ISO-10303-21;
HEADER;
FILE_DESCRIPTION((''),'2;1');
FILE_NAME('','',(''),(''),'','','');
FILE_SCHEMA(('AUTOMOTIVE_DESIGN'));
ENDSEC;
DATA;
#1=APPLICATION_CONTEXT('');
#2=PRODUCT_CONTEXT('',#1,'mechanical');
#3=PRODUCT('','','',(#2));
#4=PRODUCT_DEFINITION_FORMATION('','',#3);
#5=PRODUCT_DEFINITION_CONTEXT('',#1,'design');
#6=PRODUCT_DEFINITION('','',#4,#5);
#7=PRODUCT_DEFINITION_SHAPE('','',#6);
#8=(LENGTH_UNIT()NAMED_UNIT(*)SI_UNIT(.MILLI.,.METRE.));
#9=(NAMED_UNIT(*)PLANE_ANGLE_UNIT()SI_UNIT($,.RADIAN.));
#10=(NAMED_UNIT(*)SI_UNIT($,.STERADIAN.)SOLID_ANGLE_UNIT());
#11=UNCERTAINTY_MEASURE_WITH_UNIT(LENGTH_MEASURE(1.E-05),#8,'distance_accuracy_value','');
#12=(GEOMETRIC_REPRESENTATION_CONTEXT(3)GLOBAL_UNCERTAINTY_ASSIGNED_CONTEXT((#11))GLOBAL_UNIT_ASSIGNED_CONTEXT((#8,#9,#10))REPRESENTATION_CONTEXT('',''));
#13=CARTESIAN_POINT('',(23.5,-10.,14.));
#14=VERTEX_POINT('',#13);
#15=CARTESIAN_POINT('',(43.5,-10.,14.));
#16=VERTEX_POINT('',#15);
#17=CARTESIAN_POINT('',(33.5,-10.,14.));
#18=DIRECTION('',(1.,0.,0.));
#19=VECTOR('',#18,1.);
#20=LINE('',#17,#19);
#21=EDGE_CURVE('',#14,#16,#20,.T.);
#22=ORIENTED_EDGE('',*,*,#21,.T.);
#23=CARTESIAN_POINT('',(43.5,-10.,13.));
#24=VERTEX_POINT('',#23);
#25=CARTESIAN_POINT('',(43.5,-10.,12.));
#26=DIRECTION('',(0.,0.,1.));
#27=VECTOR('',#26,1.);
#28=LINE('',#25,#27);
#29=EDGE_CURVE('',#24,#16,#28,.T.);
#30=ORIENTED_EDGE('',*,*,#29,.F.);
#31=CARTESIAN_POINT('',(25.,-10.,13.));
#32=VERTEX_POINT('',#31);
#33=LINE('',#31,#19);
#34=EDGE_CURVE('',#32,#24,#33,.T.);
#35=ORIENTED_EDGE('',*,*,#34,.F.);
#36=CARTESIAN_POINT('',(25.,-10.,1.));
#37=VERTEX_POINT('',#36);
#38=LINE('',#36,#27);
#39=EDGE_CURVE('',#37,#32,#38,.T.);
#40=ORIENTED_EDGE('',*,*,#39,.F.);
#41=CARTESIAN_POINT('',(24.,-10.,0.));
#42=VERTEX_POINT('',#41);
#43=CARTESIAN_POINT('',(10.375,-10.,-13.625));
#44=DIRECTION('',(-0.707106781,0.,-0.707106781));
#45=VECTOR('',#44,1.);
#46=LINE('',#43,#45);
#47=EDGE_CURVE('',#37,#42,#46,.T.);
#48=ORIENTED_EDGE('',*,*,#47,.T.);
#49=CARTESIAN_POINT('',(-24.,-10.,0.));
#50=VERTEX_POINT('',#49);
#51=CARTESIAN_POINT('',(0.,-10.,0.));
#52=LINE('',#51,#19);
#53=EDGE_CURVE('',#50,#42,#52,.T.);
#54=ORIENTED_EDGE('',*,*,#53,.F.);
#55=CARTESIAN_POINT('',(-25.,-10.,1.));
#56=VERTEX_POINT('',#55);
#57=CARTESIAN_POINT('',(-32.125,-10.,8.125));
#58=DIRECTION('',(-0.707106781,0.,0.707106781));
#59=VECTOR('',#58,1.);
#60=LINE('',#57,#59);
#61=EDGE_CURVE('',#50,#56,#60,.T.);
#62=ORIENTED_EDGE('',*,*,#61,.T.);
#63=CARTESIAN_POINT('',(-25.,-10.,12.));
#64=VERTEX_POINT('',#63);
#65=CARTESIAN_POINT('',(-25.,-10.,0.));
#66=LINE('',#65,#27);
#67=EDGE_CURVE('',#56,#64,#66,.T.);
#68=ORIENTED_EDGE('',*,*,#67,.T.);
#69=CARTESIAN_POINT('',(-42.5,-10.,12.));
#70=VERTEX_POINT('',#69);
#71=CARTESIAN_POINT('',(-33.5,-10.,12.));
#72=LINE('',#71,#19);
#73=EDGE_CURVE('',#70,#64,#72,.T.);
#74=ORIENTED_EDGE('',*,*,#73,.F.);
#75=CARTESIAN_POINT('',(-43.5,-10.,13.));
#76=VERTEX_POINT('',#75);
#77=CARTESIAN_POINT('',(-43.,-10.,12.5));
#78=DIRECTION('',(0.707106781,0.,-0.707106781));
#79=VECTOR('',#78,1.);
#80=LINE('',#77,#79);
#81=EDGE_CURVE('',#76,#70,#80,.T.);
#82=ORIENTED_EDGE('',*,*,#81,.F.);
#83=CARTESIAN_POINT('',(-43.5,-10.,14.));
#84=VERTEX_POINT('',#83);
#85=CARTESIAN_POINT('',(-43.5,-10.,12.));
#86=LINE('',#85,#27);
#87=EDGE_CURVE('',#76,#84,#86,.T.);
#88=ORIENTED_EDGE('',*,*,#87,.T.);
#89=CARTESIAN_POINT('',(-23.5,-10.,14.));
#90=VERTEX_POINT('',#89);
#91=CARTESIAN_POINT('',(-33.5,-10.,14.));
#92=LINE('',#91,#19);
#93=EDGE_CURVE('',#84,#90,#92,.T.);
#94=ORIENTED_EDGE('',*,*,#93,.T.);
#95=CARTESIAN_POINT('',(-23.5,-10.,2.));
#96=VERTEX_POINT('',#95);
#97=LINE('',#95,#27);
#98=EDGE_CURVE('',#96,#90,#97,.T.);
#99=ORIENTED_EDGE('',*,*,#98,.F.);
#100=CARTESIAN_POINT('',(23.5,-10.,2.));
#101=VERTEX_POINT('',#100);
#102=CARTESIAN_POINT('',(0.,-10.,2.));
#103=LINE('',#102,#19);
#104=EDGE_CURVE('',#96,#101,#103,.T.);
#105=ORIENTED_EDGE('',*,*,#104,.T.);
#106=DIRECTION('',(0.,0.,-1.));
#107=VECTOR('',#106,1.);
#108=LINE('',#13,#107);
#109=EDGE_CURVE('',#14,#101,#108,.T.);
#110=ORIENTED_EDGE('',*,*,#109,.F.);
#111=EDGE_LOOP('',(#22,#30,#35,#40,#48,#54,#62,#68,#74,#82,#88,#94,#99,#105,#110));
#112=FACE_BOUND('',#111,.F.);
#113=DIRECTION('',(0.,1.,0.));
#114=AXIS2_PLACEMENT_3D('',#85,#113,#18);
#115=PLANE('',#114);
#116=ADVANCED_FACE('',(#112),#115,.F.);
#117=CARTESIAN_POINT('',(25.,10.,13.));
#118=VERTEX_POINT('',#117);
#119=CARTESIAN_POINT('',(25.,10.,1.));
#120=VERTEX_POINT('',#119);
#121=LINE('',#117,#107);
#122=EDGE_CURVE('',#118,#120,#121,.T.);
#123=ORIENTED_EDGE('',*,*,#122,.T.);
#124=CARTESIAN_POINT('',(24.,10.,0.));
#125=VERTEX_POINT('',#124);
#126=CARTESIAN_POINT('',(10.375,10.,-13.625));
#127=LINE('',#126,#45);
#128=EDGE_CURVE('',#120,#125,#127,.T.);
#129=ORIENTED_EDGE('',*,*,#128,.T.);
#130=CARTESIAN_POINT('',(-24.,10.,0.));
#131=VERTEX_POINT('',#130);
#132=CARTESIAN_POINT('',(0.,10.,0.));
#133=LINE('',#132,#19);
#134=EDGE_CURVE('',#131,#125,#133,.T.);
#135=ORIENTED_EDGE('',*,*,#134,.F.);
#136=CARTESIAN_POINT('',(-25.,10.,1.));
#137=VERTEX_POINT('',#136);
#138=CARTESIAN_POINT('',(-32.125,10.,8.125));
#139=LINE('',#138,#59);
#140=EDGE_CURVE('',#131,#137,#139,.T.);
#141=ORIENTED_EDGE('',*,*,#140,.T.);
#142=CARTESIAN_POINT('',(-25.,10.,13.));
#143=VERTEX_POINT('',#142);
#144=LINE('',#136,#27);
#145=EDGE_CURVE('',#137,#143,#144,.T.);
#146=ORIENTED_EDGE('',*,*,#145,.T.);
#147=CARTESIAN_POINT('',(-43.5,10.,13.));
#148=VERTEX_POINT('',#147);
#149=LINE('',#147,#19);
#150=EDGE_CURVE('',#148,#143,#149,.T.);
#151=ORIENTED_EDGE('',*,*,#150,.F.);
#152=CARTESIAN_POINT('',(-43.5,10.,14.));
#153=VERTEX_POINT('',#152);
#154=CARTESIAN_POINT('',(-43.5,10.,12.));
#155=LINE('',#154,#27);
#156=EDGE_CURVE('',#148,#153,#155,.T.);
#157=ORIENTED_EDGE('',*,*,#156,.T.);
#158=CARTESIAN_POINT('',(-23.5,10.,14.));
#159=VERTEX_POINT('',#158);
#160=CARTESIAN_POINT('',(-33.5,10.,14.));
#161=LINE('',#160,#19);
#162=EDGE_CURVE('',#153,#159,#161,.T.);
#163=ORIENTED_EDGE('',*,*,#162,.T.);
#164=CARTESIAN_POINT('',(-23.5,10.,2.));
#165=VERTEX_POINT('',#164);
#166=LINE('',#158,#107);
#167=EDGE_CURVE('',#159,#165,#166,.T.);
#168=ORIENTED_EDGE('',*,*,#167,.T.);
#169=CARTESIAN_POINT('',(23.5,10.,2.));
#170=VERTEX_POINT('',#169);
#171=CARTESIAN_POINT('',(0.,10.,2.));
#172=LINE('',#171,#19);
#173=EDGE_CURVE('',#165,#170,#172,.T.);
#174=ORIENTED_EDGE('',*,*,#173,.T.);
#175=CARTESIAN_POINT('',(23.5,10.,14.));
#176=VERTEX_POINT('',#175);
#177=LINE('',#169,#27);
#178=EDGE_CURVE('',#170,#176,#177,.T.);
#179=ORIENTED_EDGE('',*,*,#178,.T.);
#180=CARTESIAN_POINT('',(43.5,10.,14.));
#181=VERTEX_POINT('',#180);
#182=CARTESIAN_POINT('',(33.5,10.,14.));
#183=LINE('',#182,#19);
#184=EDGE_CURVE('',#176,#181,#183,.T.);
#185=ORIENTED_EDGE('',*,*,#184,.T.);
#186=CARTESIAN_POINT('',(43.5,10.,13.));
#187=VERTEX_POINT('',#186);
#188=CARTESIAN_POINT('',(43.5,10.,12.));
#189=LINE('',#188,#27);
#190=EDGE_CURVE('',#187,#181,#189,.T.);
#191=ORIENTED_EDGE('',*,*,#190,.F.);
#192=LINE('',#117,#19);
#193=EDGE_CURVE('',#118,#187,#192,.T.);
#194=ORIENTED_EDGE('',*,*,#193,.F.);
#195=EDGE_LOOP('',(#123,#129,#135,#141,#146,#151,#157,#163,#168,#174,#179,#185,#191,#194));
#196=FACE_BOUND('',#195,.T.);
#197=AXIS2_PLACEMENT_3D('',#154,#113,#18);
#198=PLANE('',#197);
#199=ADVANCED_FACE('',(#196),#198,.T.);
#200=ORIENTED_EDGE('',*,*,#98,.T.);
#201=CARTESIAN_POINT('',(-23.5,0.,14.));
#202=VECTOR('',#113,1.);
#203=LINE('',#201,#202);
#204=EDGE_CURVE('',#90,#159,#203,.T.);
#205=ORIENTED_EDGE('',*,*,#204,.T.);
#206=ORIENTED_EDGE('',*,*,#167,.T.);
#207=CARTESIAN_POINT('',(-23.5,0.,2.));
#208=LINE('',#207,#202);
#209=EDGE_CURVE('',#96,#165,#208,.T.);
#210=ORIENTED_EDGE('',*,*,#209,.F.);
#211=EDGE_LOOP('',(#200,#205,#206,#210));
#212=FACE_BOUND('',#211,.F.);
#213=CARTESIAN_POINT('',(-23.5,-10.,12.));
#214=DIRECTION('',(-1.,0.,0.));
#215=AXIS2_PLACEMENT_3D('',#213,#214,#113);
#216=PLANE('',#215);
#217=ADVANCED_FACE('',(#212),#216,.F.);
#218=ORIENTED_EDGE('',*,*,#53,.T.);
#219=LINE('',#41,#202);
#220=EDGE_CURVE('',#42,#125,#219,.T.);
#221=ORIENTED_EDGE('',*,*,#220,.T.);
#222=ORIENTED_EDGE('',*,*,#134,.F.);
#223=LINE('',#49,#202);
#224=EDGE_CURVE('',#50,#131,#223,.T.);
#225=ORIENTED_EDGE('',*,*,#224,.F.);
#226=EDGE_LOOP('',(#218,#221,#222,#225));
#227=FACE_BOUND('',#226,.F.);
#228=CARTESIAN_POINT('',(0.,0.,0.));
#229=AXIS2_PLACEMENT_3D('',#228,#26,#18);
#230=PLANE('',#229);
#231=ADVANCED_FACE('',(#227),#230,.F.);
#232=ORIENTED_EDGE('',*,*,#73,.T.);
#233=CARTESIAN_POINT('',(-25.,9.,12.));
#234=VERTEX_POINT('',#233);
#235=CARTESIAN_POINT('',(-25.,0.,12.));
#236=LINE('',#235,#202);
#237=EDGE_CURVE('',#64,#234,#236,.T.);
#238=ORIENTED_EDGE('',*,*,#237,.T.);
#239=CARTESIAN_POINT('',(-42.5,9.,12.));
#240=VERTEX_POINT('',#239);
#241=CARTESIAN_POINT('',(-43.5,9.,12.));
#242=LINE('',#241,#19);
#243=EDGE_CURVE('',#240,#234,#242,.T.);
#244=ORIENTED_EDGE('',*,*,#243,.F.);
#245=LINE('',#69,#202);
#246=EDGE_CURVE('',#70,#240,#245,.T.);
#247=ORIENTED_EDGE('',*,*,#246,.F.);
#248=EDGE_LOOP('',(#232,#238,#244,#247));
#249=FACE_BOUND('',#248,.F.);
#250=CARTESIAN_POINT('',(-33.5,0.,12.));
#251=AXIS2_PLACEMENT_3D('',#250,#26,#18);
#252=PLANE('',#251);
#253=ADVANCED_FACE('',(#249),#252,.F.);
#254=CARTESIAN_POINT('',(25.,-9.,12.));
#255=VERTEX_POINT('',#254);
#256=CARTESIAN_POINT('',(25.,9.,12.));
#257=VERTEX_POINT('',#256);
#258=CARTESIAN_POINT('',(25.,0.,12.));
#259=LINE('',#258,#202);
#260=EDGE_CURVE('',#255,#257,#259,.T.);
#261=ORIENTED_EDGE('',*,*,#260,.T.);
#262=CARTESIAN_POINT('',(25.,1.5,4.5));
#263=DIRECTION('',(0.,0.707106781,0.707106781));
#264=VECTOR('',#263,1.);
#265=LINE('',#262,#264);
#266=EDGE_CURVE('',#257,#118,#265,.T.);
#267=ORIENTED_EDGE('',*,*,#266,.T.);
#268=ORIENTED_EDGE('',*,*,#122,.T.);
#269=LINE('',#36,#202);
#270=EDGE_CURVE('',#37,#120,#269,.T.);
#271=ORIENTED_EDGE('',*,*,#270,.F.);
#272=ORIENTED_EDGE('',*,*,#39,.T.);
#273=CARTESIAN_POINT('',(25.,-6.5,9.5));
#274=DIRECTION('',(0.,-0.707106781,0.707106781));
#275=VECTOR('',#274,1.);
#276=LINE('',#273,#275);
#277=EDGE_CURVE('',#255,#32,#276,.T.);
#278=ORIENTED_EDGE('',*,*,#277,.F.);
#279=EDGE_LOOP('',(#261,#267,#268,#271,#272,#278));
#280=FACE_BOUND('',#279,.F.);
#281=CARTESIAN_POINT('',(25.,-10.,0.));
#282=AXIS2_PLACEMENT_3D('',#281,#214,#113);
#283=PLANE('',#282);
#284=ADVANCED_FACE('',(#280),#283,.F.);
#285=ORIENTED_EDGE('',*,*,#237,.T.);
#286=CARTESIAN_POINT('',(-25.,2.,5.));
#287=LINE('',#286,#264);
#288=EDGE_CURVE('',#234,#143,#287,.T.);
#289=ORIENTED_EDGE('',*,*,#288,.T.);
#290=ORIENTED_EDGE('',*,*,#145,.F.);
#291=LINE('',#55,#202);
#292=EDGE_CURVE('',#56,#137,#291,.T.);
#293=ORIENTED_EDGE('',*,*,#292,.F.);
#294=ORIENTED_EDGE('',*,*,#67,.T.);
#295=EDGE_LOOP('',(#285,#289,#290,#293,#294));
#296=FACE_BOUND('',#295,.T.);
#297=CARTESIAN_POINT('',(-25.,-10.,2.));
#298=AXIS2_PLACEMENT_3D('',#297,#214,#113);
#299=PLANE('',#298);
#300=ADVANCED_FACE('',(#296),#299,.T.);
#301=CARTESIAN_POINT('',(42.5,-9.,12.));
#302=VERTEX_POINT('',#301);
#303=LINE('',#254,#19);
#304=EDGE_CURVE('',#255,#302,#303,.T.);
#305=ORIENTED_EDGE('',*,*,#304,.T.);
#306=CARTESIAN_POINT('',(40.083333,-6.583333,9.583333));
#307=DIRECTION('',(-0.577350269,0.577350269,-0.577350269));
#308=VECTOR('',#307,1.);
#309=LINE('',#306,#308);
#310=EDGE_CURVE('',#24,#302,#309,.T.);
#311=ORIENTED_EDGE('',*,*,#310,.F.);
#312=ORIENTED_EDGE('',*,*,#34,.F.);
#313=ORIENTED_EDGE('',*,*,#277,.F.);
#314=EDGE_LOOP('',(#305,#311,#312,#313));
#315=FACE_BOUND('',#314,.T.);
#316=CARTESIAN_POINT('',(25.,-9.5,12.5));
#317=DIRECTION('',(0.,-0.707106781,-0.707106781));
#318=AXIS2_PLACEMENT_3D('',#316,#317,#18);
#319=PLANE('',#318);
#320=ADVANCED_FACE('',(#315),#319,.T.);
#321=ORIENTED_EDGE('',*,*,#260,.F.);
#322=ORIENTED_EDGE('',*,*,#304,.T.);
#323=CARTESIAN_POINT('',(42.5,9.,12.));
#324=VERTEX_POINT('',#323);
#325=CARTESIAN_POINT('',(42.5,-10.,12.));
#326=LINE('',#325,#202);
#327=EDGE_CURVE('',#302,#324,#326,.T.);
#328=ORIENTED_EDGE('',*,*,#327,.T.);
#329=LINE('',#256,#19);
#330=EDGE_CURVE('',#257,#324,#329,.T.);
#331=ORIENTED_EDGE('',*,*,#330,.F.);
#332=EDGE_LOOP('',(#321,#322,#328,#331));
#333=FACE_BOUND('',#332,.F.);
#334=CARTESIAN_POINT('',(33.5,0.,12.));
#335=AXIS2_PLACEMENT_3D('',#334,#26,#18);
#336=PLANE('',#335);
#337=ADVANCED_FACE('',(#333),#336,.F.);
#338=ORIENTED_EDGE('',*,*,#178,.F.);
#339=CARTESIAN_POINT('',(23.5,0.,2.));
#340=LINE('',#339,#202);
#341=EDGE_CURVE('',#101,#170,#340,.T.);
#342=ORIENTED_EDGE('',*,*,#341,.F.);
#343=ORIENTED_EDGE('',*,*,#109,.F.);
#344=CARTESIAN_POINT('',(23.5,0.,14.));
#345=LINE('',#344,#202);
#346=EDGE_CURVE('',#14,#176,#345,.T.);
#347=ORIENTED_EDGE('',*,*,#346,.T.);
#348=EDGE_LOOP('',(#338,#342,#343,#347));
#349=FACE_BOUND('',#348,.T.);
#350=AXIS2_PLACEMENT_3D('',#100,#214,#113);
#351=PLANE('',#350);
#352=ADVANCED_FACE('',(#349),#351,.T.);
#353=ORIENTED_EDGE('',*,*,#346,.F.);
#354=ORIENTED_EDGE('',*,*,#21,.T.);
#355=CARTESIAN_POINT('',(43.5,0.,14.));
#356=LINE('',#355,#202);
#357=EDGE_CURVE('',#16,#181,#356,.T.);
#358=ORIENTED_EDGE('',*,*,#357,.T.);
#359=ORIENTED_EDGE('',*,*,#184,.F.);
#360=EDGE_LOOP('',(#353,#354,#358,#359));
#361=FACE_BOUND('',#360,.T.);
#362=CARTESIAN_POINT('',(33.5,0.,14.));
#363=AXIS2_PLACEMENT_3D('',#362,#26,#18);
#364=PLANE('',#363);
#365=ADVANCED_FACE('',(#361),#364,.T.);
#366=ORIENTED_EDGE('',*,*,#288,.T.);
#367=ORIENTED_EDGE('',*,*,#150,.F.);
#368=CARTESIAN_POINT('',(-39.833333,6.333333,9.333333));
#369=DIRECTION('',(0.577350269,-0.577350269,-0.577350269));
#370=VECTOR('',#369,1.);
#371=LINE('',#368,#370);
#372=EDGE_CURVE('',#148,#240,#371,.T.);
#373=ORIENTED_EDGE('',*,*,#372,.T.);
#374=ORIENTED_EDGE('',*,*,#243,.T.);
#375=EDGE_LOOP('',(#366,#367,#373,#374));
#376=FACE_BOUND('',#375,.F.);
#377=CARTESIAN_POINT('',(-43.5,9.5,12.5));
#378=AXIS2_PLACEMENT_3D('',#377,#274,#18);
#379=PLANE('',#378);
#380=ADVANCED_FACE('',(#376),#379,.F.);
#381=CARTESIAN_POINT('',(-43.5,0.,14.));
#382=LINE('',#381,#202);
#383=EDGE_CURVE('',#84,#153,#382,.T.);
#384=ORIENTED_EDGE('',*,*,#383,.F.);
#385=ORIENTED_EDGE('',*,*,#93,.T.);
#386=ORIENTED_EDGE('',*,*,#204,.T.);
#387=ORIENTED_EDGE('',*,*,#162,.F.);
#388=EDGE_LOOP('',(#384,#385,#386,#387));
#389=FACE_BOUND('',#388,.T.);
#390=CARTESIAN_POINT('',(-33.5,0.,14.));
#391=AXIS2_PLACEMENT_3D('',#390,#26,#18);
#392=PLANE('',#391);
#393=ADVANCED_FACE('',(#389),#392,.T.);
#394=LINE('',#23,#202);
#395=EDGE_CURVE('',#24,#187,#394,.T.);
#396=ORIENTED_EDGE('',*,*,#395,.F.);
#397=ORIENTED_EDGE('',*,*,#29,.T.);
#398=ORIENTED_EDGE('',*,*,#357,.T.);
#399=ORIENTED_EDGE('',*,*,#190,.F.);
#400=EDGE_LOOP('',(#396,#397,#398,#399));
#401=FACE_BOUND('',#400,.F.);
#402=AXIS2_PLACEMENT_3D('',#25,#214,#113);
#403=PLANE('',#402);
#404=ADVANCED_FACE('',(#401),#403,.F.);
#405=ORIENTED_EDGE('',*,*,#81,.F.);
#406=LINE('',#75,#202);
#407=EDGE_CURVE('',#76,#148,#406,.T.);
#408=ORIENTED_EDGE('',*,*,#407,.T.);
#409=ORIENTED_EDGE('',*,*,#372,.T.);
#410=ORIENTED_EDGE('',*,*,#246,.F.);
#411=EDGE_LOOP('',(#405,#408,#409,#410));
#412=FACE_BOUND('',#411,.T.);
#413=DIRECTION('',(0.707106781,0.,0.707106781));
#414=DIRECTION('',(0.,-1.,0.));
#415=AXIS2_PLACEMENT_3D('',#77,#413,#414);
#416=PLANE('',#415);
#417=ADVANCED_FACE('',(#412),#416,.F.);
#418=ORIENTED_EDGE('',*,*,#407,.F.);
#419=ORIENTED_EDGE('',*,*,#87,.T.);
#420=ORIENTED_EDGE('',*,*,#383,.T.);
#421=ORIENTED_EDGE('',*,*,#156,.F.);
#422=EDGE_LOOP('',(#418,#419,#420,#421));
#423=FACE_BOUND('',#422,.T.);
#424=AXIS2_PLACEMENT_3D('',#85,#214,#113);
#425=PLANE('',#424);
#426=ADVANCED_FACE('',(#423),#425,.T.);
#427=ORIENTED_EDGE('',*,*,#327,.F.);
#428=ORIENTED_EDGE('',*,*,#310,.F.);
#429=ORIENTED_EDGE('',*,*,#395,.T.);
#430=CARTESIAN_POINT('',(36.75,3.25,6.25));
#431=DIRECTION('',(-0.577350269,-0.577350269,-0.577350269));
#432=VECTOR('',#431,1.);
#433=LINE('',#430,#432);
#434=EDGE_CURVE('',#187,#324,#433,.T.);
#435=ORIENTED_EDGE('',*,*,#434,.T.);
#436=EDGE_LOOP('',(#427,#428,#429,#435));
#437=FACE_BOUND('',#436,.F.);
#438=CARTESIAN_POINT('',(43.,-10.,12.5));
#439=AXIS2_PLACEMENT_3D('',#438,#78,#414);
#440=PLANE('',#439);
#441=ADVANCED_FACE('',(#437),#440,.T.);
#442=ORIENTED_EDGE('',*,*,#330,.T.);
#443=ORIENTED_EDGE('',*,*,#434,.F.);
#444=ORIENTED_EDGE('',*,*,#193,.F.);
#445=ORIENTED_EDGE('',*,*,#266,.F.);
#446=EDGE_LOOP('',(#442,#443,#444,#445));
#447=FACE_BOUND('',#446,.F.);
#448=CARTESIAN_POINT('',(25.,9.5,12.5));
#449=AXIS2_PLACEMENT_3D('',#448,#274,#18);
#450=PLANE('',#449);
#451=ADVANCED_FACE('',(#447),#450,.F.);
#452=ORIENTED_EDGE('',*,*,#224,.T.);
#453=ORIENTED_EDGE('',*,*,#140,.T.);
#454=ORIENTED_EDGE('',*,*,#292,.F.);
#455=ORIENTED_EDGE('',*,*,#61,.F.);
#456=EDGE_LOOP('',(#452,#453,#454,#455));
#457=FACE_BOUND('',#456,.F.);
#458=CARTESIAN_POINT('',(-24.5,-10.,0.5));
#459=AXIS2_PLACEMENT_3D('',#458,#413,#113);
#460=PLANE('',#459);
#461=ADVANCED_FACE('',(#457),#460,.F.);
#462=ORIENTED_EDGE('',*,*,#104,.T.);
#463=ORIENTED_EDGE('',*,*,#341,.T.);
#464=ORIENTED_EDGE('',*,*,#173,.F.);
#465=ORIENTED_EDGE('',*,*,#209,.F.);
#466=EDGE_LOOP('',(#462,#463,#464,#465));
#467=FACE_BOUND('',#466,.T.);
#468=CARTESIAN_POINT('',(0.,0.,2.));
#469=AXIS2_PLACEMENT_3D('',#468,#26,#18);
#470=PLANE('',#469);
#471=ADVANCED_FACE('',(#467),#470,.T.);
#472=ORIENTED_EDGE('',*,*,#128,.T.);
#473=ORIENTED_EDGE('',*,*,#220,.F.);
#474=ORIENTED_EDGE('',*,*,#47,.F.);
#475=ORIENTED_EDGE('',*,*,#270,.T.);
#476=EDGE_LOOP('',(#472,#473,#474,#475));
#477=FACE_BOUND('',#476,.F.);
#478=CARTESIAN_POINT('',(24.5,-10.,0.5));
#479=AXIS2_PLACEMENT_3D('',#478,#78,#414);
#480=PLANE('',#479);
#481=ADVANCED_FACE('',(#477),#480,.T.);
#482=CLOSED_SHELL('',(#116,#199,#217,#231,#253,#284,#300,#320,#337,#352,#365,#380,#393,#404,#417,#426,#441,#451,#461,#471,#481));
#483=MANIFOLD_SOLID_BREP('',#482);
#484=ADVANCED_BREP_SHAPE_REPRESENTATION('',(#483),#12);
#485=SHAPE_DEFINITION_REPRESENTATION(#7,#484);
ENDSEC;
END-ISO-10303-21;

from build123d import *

# Parameters (mm, degrees)
F0_W     = 50
F0_H     = 20
F1_DEPTH = 2
F2_W     = 1.5
F2_H     = 20
F3_DEPTH = 10
F4_W     = 20
F4_H     = 20
F5_DEPTH = 2
F6_SIZE  = 1


with BuildPart() as f1:
    # F0 (on Top) → F1 (new body)
    with BuildSketch(Plane.XY):
        Rectangle(F0_W, F0_H)
    extrude(amount=F1_DEPTH)

    # F2 (on face) → F3 (join)
    with BuildSketch(Plane.XY.offset(2)):
        with Locations((-24.25, 0)):
            Rectangle(F2_W, F2_H)
        with Locations((24.25, 0)):
            Rectangle(F2_W, F2_H)
    extrude(amount=F3_DEPTH)

    # F4 (on face) → F5 (join)
    with BuildSketch(Plane.XY.offset(12)):
        with Locations((-33.5, 0)):
            Rectangle(F4_W, F4_H)
        with Locations((33.5, 0)):
            Rectangle(F4_W, F4_H)
    extrude(amount=F5_DEPTH)

    # F6
    f6_edges = [f1.edges().sort_by_distance(p)[0] for p in [
        (-25, 0, 0),
        (25, 0, 0),
        (-43.5, 0, 12),
        (43.5, 0, 12),
        (34.25, -10, 12),
        (34.25, 10, 12),
        (-34.25, 10, 12),
    ]]
    chamfer(f6_edges, length=F6_SIZE)


solid = f1.part
